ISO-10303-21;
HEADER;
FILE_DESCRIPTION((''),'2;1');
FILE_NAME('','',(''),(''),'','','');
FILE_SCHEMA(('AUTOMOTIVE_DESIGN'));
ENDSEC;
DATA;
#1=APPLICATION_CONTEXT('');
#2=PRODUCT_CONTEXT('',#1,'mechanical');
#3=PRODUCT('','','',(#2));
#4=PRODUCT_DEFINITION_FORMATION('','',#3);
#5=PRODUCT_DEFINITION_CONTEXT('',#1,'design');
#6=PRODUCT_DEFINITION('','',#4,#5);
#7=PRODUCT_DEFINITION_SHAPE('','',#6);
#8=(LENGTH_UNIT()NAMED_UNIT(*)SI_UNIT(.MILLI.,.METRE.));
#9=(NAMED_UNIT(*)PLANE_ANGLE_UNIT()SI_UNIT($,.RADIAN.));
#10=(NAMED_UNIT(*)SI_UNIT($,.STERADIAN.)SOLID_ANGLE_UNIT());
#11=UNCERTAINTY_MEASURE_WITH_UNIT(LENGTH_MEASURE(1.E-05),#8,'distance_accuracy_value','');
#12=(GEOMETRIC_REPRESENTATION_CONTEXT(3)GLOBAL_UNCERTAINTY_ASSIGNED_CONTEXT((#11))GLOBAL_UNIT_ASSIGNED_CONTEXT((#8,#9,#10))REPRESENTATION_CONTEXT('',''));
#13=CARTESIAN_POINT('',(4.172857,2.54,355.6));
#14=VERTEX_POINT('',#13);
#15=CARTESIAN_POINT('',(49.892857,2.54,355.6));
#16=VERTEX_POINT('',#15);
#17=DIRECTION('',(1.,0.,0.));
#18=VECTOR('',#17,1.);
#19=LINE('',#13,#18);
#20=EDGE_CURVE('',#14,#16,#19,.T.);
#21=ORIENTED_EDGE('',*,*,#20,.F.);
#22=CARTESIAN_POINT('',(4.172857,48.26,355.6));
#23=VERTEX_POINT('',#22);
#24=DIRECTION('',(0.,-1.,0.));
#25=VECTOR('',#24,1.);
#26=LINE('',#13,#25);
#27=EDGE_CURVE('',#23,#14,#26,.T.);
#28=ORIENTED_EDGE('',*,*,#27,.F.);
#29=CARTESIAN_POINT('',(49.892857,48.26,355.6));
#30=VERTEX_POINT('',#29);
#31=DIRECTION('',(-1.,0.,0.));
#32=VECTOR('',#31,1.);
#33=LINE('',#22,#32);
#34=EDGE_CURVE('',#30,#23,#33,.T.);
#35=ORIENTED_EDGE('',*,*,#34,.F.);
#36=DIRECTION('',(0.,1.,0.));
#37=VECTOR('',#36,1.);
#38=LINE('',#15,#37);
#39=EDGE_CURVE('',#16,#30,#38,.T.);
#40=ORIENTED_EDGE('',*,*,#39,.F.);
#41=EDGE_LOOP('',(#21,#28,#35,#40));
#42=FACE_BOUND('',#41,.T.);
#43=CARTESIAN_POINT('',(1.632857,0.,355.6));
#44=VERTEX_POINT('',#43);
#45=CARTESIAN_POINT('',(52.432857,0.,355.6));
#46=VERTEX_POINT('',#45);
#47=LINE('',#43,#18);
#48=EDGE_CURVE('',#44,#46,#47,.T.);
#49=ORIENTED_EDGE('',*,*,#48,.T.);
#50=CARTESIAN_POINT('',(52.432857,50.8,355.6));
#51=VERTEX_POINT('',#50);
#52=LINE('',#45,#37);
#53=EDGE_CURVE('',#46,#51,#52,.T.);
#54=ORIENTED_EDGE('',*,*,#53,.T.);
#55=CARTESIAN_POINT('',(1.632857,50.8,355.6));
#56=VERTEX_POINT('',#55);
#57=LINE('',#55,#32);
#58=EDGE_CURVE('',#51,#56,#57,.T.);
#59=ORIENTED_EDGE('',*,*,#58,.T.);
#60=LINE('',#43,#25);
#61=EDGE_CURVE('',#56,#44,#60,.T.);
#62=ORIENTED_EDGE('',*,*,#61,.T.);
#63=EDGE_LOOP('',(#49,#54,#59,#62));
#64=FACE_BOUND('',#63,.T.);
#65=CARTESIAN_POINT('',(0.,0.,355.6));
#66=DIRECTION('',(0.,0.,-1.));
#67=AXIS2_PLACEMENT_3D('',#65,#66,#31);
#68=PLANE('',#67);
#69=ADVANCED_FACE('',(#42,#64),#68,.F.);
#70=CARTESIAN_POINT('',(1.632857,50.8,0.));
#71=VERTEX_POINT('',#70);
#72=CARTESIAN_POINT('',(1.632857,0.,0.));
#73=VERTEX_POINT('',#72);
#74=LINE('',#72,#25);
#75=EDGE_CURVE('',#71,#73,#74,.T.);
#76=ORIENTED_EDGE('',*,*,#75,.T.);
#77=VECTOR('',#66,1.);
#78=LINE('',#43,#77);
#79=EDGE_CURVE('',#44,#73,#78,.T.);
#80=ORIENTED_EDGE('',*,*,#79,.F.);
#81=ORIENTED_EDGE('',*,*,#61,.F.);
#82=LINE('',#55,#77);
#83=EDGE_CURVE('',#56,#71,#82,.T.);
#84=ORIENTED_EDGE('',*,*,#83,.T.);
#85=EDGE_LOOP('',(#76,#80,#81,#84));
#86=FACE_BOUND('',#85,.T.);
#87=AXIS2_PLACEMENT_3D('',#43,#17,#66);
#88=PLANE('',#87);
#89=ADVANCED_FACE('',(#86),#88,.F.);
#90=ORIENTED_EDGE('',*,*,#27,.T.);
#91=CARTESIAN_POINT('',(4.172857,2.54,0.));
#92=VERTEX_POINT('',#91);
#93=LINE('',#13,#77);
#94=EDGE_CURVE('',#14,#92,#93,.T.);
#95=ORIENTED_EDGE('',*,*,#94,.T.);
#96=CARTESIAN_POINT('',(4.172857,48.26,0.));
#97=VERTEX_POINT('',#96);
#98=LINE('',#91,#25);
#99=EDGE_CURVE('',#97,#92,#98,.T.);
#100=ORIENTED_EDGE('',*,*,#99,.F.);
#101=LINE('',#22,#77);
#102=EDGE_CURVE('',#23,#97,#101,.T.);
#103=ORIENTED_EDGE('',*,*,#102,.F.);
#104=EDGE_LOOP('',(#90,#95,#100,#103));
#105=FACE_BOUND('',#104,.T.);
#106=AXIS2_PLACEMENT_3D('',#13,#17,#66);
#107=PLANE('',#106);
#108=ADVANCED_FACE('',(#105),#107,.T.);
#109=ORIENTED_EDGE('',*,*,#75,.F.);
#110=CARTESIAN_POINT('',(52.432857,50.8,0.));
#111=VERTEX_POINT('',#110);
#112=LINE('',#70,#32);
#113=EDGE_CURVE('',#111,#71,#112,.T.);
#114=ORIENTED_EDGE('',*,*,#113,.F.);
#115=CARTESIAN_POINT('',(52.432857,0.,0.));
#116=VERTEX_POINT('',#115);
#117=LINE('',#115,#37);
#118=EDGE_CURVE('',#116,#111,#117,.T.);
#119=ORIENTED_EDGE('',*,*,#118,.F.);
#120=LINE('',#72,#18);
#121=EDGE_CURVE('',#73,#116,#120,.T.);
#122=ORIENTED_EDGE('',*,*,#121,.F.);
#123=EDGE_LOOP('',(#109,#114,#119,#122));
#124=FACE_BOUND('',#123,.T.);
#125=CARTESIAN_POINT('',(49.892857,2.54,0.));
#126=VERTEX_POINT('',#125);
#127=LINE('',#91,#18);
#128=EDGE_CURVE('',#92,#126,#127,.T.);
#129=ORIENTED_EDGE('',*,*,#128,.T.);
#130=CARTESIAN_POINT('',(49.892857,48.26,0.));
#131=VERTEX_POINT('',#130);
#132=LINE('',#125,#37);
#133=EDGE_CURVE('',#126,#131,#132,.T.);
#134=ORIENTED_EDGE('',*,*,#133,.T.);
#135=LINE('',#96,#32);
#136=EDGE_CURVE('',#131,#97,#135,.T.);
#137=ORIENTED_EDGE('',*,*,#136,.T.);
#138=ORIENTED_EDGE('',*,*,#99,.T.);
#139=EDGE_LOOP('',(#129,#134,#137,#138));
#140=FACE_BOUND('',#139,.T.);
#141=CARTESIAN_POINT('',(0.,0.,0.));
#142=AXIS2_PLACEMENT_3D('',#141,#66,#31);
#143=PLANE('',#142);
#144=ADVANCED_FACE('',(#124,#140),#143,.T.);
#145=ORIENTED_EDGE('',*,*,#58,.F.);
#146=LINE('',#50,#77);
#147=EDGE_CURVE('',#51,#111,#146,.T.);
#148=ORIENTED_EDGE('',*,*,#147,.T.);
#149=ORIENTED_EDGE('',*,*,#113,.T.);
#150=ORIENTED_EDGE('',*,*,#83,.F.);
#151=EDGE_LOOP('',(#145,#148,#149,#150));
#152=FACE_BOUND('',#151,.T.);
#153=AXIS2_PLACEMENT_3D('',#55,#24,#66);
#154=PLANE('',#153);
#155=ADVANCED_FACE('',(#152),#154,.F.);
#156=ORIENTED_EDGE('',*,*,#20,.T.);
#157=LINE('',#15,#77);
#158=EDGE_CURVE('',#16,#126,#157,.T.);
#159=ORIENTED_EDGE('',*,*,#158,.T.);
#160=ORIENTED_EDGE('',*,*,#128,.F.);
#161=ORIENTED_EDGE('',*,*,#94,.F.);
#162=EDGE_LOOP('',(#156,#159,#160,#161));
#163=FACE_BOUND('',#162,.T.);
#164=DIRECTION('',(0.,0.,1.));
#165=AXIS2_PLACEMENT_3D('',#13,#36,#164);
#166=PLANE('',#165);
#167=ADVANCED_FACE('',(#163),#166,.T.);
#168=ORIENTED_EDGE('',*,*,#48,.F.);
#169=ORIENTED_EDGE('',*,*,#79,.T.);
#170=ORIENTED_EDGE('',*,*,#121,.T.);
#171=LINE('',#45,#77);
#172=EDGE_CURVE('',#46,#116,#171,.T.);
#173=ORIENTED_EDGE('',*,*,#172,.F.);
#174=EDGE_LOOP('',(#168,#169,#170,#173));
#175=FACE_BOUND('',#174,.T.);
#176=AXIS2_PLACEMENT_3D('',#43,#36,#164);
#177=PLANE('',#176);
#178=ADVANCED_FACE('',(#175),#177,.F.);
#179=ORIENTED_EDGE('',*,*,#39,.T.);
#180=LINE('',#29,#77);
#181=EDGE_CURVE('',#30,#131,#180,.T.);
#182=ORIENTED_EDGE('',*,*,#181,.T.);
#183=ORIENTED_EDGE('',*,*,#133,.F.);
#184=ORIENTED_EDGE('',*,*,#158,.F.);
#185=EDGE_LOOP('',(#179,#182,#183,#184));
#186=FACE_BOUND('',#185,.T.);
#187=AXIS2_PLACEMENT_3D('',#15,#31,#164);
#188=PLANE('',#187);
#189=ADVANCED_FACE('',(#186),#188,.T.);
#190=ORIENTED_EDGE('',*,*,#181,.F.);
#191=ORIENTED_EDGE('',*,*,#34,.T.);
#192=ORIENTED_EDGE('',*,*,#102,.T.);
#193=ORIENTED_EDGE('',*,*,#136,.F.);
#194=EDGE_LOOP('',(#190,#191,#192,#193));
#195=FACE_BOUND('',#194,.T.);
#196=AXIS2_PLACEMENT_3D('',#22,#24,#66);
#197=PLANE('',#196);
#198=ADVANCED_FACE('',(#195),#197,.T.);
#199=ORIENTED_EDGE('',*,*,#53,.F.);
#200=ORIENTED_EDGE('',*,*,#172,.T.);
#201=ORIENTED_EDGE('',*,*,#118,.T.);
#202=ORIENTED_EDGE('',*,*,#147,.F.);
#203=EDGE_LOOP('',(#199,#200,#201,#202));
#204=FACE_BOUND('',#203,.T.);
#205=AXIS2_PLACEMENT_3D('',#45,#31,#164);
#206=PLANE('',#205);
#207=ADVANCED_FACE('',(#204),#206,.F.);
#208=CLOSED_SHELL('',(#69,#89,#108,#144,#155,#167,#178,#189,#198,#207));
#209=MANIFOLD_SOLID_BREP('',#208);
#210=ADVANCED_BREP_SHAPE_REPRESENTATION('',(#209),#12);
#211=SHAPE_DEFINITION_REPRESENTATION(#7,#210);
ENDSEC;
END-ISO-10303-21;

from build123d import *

# Parameters (mm, degrees)
SKETCH1_W           = 50.8
SKETCH1_H           = 50.8
SKETCH1_W_2         = 45.72
SKETCH1_H_2         = 45.72
BOSS_EXTRUDE1_DEPTH = 355.6


with BuildPart() as part:
    # Sketch1 → Boss-Extrude1 (new body)
    with BuildSketch(Plane.XY):
        with Locations((27.032857143, 25.4)):
            Rectangle(SKETCH1_W, SKETCH1_H)
        with Locations((27.032857143, 25.4)):
            Rectangle(SKETCH1_W_2, SKETCH1_H_2, mode=Mode.SUBTRACT)
    extrude(amount=BOSS_EXTRUDE1_DEPTH)


solid = part.part
